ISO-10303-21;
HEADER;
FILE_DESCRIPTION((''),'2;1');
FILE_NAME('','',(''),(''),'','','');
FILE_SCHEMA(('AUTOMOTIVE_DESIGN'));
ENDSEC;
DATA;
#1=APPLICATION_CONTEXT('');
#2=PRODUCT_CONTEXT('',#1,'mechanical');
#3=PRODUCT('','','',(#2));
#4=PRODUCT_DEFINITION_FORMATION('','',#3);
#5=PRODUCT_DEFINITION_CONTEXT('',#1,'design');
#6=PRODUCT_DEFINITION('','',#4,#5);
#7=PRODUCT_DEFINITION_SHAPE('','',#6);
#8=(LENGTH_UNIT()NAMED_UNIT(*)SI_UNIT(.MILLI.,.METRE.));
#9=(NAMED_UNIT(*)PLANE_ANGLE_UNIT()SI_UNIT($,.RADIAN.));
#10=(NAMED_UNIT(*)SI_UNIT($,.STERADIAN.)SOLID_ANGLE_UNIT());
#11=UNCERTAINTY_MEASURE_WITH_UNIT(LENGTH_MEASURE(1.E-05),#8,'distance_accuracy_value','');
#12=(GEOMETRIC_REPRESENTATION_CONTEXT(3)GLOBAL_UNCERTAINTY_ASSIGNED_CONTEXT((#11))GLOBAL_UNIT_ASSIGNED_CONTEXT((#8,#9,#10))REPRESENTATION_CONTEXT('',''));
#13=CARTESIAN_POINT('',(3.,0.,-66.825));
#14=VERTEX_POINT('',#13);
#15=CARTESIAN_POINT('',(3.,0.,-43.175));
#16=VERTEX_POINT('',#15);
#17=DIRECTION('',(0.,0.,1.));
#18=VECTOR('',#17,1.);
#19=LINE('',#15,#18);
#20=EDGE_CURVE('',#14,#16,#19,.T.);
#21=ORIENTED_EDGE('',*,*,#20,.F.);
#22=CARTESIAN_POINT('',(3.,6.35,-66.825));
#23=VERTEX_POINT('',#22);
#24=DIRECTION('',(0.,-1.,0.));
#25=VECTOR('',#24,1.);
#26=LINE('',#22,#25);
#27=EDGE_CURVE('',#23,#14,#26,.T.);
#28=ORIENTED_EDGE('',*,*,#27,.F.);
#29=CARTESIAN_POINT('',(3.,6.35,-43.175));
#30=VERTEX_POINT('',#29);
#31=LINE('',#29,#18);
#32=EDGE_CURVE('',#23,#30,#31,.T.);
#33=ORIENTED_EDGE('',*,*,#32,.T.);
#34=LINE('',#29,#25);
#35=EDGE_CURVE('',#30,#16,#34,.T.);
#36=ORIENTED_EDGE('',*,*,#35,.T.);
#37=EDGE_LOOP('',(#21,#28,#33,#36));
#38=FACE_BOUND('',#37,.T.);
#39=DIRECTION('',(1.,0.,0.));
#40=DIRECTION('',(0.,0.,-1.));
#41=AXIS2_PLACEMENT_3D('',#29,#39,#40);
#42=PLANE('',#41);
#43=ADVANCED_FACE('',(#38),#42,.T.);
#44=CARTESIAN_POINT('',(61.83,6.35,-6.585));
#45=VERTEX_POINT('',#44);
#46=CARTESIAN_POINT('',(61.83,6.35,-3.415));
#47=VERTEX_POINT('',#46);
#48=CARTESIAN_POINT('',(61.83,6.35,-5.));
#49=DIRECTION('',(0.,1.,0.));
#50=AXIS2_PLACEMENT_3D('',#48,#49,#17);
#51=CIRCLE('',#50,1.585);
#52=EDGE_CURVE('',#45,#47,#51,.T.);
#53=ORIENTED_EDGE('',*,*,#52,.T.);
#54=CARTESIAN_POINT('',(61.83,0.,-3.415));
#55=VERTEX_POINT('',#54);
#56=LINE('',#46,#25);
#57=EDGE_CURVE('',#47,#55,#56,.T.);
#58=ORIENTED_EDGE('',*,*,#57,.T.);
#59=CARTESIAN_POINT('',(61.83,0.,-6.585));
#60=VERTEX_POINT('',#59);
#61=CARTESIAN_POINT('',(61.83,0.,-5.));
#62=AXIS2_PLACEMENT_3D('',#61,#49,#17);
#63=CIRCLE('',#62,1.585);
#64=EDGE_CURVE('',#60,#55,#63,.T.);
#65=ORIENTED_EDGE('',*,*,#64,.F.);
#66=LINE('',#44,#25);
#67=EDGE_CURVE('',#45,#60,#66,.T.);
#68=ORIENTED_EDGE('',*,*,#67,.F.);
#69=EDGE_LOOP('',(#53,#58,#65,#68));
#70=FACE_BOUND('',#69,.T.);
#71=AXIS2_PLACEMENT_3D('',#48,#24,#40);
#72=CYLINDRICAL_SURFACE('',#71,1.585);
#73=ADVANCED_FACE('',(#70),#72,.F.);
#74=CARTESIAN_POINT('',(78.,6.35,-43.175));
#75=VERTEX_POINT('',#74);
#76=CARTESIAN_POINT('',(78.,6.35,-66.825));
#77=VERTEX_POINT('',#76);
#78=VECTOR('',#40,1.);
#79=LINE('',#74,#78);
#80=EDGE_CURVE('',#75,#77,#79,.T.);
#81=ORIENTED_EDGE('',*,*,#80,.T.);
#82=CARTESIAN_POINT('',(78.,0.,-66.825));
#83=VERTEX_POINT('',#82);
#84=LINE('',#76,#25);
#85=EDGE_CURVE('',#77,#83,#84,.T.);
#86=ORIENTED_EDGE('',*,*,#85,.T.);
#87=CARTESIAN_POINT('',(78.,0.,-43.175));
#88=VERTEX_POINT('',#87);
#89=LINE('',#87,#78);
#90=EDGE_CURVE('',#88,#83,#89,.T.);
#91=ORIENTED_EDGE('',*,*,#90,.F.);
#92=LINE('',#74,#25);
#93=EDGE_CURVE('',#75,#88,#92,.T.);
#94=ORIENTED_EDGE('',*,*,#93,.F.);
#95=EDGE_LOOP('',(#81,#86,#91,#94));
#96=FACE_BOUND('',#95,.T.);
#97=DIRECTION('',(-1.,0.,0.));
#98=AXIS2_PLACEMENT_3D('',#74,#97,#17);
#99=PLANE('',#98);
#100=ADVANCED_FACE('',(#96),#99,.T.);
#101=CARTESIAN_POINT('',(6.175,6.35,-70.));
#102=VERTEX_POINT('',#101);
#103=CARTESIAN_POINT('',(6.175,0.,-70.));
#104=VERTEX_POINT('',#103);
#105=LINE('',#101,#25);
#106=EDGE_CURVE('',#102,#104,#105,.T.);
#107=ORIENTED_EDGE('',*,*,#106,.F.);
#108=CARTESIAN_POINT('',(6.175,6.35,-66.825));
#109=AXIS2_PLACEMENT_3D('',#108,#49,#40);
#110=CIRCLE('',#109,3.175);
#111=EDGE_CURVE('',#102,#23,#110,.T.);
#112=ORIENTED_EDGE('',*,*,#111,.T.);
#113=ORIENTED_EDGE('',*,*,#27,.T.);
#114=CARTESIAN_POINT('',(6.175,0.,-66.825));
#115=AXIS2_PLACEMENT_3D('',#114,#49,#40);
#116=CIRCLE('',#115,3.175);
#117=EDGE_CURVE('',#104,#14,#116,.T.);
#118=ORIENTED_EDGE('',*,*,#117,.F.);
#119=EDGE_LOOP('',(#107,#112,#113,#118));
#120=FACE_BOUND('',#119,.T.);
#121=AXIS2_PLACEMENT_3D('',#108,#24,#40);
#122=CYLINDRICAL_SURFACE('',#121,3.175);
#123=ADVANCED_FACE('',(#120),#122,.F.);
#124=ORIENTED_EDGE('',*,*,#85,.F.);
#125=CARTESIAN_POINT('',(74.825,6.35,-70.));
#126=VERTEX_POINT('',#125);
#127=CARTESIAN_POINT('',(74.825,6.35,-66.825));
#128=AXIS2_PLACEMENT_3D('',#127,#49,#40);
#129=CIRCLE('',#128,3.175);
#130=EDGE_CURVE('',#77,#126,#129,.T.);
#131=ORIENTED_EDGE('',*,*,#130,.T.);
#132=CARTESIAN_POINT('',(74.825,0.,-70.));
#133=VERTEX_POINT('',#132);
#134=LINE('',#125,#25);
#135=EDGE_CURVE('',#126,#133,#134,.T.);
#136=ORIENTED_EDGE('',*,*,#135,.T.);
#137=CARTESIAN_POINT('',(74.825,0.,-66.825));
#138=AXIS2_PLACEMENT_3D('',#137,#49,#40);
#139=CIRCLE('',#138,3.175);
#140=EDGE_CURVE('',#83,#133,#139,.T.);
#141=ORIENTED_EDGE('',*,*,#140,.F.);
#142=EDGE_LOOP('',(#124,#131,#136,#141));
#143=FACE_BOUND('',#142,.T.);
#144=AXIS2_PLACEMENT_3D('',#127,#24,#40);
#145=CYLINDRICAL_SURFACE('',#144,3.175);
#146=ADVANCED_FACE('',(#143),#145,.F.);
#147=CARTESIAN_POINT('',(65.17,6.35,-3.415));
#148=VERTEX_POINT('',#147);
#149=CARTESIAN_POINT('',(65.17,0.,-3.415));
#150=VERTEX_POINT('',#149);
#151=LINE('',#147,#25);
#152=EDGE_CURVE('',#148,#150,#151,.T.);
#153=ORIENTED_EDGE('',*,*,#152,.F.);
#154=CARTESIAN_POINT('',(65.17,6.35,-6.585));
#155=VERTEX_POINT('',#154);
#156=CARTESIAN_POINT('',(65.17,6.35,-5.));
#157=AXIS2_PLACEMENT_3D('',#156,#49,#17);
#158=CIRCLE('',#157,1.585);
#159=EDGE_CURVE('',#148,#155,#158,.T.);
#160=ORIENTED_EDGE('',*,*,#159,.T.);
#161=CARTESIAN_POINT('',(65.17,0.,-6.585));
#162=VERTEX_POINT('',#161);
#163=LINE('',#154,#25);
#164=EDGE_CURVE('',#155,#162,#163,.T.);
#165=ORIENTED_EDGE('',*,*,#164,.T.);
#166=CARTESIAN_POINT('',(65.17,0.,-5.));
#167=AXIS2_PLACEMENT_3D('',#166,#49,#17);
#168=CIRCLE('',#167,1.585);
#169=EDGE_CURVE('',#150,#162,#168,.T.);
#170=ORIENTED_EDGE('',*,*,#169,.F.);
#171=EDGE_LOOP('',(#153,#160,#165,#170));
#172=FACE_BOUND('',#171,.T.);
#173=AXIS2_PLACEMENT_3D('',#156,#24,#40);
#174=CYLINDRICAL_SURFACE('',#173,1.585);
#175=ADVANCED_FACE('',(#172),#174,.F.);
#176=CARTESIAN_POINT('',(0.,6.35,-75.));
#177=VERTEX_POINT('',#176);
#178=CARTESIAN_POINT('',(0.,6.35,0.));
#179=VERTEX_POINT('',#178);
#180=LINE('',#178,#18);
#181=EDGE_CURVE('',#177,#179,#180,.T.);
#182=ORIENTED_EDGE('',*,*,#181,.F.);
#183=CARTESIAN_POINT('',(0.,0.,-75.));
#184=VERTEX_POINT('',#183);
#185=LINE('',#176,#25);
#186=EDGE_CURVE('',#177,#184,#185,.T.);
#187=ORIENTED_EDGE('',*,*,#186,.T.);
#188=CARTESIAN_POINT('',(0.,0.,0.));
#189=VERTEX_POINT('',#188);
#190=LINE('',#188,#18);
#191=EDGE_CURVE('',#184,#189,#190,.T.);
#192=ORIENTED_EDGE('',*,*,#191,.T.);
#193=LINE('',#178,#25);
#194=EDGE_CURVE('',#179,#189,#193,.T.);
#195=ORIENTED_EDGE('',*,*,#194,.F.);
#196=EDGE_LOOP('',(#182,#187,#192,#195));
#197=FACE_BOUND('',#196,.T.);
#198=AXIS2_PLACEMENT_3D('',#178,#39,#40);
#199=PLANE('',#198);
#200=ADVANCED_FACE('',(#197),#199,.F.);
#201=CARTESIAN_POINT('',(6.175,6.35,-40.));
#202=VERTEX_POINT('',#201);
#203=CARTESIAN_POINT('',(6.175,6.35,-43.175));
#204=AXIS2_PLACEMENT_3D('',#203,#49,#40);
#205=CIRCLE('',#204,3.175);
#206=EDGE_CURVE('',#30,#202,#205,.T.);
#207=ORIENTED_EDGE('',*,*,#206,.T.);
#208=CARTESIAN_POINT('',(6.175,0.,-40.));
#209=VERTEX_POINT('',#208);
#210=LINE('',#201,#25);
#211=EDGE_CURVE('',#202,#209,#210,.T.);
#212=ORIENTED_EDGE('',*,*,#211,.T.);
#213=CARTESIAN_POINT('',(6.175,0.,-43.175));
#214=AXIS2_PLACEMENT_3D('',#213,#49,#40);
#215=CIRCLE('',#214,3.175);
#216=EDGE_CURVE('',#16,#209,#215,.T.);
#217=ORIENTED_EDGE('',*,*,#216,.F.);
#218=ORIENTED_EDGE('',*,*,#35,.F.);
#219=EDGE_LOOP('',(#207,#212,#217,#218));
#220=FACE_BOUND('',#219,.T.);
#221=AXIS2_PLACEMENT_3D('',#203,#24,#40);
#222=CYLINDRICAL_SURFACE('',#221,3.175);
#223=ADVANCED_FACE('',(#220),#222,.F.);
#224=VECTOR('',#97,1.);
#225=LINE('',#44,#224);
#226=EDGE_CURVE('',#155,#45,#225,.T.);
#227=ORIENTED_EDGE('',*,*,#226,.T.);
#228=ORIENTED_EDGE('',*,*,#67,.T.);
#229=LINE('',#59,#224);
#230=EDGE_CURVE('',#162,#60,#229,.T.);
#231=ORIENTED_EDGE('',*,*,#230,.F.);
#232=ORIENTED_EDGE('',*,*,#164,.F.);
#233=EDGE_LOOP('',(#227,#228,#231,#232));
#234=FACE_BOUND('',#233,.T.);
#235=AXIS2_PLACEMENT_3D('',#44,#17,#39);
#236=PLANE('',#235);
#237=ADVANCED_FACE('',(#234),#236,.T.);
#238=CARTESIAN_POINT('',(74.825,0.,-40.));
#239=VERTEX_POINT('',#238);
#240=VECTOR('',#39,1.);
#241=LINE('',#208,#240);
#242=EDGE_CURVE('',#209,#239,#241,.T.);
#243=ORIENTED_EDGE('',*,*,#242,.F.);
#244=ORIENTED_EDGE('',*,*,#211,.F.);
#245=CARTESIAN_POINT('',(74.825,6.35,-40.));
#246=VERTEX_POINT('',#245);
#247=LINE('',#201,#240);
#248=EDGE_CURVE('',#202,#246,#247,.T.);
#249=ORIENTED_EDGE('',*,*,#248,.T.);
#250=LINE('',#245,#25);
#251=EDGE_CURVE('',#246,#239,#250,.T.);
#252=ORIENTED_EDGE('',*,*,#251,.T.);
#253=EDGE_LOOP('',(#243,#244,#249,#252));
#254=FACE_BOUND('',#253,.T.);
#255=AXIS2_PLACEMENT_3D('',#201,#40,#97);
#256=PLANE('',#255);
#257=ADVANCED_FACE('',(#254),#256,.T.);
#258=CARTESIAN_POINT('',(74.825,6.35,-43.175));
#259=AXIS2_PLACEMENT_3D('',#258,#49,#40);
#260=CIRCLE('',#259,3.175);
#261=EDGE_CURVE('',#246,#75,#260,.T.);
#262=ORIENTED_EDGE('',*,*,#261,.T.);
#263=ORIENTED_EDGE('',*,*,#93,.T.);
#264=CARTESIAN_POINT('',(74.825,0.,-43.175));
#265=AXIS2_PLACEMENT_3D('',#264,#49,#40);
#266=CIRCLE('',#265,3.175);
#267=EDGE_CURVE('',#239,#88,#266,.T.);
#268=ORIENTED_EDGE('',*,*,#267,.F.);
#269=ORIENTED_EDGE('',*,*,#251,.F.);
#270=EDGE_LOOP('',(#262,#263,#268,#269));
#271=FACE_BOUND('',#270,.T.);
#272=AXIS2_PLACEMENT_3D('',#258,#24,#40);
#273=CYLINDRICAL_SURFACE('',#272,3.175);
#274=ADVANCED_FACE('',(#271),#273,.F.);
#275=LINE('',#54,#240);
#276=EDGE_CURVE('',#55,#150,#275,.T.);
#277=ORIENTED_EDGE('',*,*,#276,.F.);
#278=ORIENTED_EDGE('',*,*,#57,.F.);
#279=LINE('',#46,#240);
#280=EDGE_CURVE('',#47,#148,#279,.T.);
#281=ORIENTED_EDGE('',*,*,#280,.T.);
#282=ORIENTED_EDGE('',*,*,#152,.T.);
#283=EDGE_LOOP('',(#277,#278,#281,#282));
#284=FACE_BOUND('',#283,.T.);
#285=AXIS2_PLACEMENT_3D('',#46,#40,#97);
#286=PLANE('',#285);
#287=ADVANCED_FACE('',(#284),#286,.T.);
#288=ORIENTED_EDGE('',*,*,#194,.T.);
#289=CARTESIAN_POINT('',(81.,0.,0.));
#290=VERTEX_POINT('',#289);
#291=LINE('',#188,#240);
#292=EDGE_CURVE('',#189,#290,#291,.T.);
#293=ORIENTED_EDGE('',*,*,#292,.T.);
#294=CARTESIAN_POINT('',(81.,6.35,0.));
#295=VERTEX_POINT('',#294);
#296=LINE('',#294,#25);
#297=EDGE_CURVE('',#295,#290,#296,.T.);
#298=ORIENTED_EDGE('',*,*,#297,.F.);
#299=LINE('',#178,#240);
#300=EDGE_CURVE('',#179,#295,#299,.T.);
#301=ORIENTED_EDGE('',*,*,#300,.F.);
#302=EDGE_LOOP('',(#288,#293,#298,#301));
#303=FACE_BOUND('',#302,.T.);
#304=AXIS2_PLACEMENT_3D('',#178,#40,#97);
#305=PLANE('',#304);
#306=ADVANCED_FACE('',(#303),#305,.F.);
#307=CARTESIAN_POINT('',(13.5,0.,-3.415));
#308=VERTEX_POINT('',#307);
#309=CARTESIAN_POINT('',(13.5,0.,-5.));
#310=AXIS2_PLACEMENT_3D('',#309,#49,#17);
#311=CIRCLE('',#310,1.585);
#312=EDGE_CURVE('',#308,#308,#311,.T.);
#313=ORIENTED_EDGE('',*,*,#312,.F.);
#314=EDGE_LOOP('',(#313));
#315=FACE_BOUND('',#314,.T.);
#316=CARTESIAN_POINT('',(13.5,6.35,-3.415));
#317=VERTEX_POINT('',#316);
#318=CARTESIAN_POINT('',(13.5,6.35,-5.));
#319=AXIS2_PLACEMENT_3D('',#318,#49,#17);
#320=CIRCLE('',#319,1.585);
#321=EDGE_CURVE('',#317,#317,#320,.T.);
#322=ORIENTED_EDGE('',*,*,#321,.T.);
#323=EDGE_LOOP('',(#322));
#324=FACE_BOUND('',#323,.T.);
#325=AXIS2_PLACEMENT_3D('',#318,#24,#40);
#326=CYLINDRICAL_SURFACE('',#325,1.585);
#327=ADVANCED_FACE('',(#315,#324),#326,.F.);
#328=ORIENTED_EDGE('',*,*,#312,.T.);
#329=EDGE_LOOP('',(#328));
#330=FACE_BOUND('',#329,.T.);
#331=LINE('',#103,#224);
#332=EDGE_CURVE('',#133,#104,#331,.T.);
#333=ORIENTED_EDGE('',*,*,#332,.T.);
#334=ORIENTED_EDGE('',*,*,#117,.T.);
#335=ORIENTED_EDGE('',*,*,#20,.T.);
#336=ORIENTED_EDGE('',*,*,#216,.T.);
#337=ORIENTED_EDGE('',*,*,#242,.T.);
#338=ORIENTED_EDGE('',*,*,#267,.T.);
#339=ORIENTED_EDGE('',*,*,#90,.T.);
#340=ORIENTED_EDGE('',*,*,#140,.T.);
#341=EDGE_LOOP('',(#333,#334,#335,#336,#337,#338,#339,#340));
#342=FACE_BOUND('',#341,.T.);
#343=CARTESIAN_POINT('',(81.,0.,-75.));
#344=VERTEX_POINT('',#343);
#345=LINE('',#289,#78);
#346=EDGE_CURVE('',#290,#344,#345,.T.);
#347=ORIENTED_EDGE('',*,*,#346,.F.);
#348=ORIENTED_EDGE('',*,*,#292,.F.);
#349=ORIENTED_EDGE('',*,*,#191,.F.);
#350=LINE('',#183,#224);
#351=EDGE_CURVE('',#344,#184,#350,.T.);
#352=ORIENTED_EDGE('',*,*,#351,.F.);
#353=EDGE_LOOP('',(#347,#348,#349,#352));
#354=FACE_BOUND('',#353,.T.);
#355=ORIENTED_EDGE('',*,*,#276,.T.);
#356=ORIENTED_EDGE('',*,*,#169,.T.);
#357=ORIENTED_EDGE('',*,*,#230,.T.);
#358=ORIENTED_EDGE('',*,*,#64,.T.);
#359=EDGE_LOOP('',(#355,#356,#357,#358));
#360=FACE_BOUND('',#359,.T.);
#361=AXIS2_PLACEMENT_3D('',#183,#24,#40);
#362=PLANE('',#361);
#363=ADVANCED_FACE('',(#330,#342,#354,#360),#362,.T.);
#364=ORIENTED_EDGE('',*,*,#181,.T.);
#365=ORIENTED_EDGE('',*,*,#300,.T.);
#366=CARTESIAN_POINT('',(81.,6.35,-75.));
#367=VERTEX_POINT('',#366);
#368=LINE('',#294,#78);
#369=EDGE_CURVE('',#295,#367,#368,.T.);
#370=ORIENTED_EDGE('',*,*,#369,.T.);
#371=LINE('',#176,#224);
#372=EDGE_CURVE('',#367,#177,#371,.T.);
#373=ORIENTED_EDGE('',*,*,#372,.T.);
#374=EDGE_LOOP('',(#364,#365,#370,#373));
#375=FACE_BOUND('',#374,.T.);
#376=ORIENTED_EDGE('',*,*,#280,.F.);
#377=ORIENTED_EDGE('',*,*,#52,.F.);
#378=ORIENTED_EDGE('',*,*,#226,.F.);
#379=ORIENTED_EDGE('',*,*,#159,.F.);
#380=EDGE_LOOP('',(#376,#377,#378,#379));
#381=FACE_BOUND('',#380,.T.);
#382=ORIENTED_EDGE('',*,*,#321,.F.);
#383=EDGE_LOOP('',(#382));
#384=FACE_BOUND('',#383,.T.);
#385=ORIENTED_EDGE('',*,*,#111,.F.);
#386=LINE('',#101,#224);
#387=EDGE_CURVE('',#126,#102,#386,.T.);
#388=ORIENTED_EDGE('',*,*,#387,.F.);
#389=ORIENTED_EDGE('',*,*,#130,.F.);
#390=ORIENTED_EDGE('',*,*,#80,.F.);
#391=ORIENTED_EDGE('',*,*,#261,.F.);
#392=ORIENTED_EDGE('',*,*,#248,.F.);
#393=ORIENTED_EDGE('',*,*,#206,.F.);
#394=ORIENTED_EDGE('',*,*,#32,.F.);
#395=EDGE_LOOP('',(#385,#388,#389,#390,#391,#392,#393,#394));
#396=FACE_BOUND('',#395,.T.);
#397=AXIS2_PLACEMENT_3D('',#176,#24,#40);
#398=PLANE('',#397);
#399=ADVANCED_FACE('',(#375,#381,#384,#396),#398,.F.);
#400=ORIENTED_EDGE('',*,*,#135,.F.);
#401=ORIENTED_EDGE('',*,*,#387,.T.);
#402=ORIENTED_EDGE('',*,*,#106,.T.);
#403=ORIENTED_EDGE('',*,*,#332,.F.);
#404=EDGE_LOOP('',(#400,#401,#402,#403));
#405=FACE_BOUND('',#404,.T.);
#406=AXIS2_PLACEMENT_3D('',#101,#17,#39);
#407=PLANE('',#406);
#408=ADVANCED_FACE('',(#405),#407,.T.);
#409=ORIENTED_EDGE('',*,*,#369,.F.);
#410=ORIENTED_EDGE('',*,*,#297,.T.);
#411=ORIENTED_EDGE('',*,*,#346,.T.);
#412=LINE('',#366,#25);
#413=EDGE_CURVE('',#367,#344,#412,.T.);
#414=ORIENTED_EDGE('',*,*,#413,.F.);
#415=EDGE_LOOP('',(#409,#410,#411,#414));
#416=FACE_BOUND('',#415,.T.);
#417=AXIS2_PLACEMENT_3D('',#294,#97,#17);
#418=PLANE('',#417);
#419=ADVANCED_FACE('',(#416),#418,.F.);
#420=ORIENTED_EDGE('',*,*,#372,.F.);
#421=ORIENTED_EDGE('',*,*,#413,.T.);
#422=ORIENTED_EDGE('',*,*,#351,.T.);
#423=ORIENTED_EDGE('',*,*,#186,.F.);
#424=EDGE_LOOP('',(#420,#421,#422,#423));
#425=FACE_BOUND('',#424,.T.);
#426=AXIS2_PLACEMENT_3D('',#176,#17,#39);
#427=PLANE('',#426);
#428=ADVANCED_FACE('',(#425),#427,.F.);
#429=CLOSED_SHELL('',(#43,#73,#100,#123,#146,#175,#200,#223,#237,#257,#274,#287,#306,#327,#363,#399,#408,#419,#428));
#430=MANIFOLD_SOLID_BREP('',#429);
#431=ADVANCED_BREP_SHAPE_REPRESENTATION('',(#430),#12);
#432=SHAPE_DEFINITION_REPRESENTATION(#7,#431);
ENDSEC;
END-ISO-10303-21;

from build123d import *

# Parameters (mm, degrees)
SKETCH1_W           = 81
SKETCH1_H           = 75
SKETCH1_R           = 1.585
BOSS_EXTRUDE1_DEPTH = 6.35


with BuildPart() as part:
    # Sketch1 → Boss-Extrude1 (new body)
    with BuildSketch(Plane(origin=(0, 0, 0), x_dir=(1, 0, 0), z_dir=(0, 1, 0))):
        with Locations((40.5, 37.5)):
            Rectangle(SKETCH1_W, SKETCH1_H)
        with Locations(Location((13.5, 5, 0), (0, 0, 270))):  # turned: the seam where the file's is
            Circle(SKETCH1_R, mode=Mode.SUBTRACT)
        with BuildLine():
            Line((6.175, 40), (74.825, 40))
            ThreePointArc((74.825, 40), (77.07006403, 40.92993597), (78, 43.175))
            Line((78, 43.175), (78, 66.825))
            ThreePointArc((78, 66.825), (77.07006403, 69.07006403), (74.825, 70))
            Line((74.825, 70), (6.175, 70))
            ThreePointArc((6.175, 70), (3.92993597, 69.07006403), (3, 66.825))
            Line((3, 66.825), (3, 43.175))
            ThreePointArc((3, 43.175), (3.92993597, 40.92993597), (6.175, 40))
        make_face(mode=Mode.SUBTRACT)
        with BuildLine():
            Line((61.83, 6.585), (65.17, 6.585))
            ThreePointArc((65.17, 6.585), (66.755, 5), (65.17, 3.415))
            Line((65.17, 3.415), (61.83, 3.415))
            ThreePointArc((61.83, 3.415), (60.245, 5), (61.83, 6.585))
        make_face(mode=Mode.SUBTRACT)
    extrude(amount=BOSS_EXTRUDE1_DEPTH)


solid = part.part
